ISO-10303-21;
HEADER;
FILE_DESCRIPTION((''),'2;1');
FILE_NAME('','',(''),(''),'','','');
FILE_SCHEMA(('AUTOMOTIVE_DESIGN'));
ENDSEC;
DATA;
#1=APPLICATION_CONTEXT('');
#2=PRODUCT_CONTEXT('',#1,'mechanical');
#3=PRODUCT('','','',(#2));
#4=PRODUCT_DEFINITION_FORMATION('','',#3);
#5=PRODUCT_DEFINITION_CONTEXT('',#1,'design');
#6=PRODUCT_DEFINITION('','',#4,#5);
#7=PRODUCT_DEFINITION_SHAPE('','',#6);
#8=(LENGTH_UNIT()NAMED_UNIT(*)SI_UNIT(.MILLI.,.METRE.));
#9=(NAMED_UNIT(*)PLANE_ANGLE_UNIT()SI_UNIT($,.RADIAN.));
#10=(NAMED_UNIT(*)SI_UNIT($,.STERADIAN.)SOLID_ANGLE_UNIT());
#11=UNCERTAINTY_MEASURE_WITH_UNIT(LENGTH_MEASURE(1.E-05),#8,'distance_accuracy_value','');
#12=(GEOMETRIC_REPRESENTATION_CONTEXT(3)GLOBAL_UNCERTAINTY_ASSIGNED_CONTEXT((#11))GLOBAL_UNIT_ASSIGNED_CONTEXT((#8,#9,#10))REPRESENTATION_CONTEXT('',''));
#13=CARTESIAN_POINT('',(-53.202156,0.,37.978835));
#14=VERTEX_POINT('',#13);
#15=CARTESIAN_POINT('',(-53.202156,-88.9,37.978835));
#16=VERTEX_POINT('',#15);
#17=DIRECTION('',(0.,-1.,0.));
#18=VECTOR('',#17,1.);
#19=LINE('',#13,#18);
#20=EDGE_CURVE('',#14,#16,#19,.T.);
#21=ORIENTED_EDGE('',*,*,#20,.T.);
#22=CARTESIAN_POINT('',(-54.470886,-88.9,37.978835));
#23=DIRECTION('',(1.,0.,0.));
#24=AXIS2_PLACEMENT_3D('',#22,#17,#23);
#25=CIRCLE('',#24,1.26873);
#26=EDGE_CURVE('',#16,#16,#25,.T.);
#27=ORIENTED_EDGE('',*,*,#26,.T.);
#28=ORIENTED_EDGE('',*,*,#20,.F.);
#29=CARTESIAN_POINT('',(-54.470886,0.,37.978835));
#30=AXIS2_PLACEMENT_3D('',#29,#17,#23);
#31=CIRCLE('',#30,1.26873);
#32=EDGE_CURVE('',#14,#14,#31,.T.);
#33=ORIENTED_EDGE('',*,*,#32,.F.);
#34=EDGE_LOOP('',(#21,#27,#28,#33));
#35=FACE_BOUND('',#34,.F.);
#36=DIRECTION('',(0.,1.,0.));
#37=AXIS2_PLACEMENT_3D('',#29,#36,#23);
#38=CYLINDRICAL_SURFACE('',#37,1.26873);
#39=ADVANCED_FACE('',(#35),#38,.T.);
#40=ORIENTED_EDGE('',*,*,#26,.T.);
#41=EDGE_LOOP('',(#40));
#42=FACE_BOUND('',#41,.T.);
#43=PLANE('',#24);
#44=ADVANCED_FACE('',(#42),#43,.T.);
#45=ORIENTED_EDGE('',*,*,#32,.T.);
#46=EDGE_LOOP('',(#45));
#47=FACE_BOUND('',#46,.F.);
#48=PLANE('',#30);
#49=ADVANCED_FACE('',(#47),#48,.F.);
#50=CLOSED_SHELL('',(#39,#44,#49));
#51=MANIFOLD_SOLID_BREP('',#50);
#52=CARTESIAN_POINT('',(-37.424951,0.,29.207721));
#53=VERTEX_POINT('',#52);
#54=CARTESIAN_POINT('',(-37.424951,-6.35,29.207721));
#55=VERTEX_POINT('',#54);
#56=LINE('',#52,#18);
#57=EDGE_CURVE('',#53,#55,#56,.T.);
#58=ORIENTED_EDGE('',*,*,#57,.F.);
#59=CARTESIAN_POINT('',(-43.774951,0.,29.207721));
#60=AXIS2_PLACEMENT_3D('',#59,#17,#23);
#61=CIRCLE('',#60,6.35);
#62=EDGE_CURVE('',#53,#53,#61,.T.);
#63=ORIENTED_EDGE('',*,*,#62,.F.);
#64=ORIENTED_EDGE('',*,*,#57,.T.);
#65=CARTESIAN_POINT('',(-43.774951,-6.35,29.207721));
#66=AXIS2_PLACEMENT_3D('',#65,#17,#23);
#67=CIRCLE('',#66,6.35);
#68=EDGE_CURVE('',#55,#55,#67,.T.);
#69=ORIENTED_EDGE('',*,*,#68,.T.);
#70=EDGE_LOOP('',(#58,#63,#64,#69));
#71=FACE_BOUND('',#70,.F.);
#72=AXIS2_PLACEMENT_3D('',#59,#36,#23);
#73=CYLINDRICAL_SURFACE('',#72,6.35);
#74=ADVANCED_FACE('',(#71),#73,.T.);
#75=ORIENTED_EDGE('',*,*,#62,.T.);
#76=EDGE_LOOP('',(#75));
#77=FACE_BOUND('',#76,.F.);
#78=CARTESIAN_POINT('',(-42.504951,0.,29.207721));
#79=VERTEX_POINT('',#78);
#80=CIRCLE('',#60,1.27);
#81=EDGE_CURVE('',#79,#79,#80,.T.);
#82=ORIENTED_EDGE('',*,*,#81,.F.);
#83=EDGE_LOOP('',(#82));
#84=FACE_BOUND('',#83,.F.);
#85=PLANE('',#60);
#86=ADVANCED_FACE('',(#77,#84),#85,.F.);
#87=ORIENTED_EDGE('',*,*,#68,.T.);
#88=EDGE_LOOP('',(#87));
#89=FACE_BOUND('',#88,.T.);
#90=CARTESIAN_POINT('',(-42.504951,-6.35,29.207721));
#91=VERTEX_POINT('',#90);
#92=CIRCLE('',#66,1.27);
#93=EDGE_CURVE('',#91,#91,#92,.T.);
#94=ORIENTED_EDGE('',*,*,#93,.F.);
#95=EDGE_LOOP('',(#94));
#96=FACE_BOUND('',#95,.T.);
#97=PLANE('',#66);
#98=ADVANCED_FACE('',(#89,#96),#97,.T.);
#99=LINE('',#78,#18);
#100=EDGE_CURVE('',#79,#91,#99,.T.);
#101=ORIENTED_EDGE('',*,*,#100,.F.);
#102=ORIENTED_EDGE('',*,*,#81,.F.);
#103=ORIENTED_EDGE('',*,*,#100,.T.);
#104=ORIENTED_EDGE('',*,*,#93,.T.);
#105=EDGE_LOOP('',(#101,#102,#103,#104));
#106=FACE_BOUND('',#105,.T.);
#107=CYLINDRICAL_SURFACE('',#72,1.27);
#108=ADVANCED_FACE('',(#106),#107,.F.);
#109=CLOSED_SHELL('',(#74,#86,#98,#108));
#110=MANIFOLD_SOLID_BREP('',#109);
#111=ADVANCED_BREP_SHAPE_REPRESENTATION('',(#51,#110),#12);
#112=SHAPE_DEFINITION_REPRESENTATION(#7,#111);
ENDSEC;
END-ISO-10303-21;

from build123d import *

# Parameters (mm, degrees)
F0_R     = 1.26873
F1_DEPTH = 88.9
F2_R     = 6.35
F2_R_2   = 1.27
F3_DEPTH = 6.35


with BuildPart() as f1:
    # F0 (on Front) → F1 (new body)
    with BuildSketch(Plane.XZ):
        with Locations((-54.470886, 37.978835)):
            Circle(F0_R)
    extrude(amount=F1_DEPTH)


with BuildPart() as f3:
    # F2 (on Front) → F3 (new body)
    with BuildSketch(Plane.XZ):
        with Locations((-43.774951, 29.207721)):
            Circle(F2_R)
        with Locations((-43.774951, 29.207721)):
            Circle(F2_R_2, mode=Mode.SUBTRACT)
    extrude(amount=F3_DEPTH)


solid = Compound([f1.part, f3.part])
